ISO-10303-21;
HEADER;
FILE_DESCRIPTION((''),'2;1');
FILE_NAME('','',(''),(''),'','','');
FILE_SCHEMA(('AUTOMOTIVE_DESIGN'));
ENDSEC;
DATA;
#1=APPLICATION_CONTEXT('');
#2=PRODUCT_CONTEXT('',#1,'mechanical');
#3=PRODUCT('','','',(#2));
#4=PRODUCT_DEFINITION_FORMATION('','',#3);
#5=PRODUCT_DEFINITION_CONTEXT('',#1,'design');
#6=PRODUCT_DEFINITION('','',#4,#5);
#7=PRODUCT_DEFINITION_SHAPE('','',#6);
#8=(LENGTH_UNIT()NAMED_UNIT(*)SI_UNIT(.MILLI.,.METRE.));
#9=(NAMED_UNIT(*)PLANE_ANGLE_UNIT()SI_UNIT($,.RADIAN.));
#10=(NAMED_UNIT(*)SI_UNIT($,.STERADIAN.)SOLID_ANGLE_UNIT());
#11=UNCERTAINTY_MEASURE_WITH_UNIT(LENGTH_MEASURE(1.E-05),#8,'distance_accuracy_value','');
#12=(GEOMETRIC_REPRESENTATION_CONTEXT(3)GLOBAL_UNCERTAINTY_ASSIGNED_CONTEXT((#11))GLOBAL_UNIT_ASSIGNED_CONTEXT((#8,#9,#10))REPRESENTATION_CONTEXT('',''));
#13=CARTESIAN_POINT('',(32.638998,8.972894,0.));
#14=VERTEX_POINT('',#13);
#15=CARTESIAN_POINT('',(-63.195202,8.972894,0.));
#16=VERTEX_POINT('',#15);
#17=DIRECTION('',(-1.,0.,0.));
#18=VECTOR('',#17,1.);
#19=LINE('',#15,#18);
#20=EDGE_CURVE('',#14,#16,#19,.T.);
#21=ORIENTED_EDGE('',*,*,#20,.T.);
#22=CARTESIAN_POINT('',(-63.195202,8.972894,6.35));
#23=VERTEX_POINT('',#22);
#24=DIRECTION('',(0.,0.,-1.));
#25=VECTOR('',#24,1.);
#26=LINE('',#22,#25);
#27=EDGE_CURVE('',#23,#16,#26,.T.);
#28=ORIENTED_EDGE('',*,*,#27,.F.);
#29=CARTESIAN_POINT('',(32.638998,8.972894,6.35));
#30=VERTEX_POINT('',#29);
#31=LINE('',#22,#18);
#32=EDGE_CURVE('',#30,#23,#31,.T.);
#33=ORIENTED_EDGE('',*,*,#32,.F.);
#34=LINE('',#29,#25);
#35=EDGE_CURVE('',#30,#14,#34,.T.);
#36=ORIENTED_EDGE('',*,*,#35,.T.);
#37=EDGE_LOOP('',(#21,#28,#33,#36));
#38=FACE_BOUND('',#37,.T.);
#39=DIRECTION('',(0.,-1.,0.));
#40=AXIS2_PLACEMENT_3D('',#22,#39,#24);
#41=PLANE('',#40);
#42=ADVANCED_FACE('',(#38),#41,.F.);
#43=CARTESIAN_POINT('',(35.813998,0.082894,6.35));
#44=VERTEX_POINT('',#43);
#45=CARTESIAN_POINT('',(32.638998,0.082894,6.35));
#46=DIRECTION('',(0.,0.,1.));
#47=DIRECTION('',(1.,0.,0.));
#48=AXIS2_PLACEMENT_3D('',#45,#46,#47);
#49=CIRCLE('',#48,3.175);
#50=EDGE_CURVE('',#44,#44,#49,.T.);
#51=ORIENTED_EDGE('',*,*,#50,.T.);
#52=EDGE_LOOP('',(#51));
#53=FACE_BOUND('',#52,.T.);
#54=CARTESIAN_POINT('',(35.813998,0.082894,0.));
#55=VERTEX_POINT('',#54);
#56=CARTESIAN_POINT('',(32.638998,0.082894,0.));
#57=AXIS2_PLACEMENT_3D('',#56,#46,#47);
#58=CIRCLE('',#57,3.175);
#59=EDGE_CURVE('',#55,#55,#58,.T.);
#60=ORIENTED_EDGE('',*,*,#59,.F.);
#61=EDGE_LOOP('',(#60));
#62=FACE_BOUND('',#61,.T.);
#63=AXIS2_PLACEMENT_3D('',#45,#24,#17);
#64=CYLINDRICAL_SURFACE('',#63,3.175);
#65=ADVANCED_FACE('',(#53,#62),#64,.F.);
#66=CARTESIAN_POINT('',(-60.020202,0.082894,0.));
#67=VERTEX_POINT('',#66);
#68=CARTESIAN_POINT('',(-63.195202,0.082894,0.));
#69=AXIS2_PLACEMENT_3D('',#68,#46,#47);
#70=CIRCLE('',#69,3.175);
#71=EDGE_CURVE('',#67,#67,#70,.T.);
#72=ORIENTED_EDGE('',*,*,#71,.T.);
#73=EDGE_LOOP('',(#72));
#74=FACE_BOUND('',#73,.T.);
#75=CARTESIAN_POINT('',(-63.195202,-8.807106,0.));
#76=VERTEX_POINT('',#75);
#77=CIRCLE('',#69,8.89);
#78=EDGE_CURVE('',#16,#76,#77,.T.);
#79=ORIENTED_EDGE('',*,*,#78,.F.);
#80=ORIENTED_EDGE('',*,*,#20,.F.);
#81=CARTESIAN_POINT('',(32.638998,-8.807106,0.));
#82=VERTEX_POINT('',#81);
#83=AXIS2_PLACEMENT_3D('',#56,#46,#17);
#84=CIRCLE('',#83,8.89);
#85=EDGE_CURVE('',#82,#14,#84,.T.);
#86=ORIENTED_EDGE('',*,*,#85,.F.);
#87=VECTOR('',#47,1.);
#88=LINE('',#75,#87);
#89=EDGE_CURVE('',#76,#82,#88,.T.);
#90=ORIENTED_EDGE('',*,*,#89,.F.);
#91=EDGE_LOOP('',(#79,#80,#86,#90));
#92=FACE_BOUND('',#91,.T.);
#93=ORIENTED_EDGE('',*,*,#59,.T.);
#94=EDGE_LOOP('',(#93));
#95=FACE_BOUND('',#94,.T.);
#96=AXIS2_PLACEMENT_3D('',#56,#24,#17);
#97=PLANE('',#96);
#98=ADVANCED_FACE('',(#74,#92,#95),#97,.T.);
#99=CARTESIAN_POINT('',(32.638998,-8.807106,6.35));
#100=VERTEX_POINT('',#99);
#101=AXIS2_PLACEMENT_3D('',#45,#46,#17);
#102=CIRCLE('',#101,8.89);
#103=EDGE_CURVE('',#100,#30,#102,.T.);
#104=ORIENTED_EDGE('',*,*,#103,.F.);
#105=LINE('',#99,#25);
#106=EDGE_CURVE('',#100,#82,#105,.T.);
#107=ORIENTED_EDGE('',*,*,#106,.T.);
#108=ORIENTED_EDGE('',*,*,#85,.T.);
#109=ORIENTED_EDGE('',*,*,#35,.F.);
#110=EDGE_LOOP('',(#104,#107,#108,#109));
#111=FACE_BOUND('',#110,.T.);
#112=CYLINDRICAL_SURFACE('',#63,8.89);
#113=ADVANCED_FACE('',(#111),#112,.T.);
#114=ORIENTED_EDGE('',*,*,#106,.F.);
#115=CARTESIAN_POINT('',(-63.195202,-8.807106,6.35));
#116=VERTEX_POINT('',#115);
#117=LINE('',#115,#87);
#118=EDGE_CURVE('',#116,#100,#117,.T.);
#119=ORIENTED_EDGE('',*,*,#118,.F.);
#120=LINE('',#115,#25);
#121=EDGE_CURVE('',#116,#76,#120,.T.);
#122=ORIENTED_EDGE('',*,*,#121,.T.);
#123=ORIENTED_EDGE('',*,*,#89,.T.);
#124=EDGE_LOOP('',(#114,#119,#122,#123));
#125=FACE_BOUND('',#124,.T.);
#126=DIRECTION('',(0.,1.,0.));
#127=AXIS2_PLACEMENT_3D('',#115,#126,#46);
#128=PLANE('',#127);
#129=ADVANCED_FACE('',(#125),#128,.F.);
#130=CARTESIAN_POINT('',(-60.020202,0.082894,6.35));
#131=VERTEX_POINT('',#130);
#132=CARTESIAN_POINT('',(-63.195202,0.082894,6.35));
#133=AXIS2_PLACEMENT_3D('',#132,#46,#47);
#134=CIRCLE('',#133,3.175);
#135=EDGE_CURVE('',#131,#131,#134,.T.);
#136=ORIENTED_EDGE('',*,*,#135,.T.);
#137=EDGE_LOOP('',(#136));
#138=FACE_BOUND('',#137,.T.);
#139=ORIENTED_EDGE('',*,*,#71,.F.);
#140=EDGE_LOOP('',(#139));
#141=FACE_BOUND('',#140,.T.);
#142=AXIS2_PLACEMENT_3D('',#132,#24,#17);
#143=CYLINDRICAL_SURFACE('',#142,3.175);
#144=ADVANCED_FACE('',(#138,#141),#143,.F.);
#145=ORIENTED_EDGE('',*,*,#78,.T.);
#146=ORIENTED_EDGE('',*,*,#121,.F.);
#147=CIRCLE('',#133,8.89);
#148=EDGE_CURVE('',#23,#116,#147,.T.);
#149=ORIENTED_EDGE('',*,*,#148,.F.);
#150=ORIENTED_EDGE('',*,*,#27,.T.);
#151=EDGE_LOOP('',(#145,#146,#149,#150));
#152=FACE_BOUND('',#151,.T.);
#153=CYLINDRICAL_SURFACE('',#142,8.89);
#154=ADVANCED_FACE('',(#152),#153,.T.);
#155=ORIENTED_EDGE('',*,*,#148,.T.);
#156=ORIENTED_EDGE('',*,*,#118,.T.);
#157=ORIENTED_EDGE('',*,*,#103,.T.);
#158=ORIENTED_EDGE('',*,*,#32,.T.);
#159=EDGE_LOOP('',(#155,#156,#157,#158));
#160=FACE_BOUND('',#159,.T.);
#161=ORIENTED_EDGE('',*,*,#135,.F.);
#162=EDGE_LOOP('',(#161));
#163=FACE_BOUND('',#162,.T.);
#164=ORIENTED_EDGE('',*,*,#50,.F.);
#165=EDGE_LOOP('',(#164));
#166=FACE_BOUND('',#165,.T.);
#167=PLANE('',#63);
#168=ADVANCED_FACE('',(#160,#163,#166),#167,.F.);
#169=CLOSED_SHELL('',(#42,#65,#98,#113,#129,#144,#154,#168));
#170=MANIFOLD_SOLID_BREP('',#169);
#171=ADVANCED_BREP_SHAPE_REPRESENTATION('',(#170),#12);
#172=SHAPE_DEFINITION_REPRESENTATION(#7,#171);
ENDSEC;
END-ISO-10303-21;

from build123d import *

# Parameters (mm, degrees)
SKETCH2_R           = 3.175
BOSS_EXTRUDE2_DEPTH = 6.35


with BuildPart() as part:
    # Sketch2 → Boss-Extrude2 (new body)
    with BuildSketch(Plane.XY):
        with BuildLine():
            Line((-63.195201668, -8.807106444), (32.638998332, -8.807106444))
            ThreePointArc((32.638998332, -8.807106444), (41.528998332, 0.082893556), (32.638998332, 8.972893556))
            Line((32.638998332, 8.972893556), (-63.195201668, 8.972893556))
            ThreePointArc((-63.195201668, 8.972893556), (-72.085201668, 0.082893556), (-63.195201668, -8.807106444))
        make_face()
        with Locations((-63.195201668, 0.082893556)):
            Circle(SKETCH2_R, mode=Mode.SUBTRACT)
        with Locations((32.638998332, 0.082893556)):
            Circle(SKETCH2_R, mode=Mode.SUBTRACT)
    extrude(amount=BOSS_EXTRUDE2_DEPTH)


solid = part.part
